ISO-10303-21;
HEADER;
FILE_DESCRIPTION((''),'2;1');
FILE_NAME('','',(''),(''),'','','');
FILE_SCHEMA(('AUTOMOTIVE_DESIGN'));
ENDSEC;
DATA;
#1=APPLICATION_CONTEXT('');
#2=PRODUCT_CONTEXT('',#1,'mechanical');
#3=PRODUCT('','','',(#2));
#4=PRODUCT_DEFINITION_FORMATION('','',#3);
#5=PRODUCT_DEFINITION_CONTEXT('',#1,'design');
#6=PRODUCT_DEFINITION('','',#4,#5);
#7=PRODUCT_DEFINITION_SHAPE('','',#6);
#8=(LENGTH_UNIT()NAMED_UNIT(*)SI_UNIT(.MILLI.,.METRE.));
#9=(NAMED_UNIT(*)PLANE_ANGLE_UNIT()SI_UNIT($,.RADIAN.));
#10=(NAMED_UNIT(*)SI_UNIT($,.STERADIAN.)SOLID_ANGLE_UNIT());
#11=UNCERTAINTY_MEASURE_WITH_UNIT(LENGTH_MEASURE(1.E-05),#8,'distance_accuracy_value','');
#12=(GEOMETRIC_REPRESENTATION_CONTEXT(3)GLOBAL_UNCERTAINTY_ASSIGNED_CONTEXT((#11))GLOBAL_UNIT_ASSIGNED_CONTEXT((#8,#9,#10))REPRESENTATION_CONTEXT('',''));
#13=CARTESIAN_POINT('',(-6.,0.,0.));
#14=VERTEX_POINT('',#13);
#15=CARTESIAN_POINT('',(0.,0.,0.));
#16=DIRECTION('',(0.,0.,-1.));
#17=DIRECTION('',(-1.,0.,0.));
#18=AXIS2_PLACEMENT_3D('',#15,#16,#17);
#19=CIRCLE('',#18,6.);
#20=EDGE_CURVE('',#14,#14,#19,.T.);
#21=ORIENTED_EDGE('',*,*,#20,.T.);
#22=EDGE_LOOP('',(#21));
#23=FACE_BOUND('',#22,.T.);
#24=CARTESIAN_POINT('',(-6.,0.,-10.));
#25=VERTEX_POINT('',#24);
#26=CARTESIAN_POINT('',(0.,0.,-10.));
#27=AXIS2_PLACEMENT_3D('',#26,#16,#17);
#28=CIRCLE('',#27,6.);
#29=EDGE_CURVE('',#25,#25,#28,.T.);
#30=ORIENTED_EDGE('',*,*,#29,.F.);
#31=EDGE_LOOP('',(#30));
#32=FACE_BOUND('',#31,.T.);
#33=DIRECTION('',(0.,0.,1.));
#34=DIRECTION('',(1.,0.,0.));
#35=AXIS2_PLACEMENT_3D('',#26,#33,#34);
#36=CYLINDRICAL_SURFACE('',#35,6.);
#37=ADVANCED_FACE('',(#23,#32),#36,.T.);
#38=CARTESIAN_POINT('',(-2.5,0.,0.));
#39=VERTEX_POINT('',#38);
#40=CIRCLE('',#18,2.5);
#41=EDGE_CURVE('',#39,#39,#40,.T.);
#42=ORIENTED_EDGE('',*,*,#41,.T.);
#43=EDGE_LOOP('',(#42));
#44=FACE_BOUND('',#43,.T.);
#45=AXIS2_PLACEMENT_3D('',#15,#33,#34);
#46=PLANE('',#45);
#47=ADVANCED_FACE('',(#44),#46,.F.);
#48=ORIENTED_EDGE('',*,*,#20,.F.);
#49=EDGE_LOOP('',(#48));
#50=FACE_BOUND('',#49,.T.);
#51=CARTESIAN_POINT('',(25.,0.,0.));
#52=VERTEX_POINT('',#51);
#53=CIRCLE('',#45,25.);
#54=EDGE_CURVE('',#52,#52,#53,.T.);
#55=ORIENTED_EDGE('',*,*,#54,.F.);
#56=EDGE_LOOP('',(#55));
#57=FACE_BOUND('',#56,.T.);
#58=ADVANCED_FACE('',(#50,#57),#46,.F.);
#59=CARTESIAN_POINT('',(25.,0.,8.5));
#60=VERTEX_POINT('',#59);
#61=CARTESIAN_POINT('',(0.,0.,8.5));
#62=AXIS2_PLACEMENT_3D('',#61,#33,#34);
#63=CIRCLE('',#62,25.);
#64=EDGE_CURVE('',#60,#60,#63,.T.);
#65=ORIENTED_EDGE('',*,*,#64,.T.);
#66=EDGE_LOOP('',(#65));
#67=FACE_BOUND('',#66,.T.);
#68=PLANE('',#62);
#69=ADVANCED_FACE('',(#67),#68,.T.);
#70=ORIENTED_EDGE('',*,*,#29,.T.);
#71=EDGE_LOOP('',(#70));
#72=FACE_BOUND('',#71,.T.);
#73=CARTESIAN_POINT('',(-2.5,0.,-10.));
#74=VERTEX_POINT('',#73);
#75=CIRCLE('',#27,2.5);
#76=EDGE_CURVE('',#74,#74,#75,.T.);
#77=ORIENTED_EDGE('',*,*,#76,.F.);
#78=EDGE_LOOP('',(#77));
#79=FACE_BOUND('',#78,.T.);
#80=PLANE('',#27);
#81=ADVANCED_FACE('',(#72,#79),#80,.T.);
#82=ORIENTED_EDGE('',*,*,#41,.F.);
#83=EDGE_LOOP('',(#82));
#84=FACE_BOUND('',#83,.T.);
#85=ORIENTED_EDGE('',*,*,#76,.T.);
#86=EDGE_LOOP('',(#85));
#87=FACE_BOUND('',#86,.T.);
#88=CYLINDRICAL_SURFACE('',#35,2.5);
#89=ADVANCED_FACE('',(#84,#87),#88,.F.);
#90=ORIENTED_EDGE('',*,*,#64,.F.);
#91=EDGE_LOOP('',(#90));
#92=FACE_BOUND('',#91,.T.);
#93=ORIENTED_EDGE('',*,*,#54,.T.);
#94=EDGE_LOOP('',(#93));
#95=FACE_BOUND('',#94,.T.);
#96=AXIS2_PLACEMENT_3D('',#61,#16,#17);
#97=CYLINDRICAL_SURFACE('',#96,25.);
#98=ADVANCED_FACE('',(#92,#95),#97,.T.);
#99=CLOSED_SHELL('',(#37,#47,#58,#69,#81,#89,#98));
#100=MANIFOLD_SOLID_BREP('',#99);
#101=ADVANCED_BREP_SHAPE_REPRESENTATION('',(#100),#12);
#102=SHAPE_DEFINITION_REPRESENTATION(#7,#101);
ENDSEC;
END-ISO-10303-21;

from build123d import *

# Parameters (mm, degrees)
SKETCH1_R           = 25
BOSS_EXTRUDE1_DEPTH = 8.5
SKETCH2_R           = 6
SKETCH2_R_2         = 2.5
BOSS_EXTRUDE2_DEPTH = 10


with BuildPart() as part:
    # Sketch1 → Boss-Extrude1 (new body)
    with BuildSketch(Plane.XY):
        Circle(SKETCH1_R)
    extrude(amount=BOSS_EXTRUDE1_DEPTH)

    # Sketch2 → Boss-Extrude2 (add)
    with BuildSketch(Plane(origin=(0, 0, 0), x_dir=(-1, 0, 0), z_dir=(0, 0, -1))):
        Circle(SKETCH2_R)
        Circle(SKETCH2_R_2, mode=Mode.SUBTRACT)
    extrude(amount=BOSS_EXTRUDE2_DEPTH)


solid = part.part
